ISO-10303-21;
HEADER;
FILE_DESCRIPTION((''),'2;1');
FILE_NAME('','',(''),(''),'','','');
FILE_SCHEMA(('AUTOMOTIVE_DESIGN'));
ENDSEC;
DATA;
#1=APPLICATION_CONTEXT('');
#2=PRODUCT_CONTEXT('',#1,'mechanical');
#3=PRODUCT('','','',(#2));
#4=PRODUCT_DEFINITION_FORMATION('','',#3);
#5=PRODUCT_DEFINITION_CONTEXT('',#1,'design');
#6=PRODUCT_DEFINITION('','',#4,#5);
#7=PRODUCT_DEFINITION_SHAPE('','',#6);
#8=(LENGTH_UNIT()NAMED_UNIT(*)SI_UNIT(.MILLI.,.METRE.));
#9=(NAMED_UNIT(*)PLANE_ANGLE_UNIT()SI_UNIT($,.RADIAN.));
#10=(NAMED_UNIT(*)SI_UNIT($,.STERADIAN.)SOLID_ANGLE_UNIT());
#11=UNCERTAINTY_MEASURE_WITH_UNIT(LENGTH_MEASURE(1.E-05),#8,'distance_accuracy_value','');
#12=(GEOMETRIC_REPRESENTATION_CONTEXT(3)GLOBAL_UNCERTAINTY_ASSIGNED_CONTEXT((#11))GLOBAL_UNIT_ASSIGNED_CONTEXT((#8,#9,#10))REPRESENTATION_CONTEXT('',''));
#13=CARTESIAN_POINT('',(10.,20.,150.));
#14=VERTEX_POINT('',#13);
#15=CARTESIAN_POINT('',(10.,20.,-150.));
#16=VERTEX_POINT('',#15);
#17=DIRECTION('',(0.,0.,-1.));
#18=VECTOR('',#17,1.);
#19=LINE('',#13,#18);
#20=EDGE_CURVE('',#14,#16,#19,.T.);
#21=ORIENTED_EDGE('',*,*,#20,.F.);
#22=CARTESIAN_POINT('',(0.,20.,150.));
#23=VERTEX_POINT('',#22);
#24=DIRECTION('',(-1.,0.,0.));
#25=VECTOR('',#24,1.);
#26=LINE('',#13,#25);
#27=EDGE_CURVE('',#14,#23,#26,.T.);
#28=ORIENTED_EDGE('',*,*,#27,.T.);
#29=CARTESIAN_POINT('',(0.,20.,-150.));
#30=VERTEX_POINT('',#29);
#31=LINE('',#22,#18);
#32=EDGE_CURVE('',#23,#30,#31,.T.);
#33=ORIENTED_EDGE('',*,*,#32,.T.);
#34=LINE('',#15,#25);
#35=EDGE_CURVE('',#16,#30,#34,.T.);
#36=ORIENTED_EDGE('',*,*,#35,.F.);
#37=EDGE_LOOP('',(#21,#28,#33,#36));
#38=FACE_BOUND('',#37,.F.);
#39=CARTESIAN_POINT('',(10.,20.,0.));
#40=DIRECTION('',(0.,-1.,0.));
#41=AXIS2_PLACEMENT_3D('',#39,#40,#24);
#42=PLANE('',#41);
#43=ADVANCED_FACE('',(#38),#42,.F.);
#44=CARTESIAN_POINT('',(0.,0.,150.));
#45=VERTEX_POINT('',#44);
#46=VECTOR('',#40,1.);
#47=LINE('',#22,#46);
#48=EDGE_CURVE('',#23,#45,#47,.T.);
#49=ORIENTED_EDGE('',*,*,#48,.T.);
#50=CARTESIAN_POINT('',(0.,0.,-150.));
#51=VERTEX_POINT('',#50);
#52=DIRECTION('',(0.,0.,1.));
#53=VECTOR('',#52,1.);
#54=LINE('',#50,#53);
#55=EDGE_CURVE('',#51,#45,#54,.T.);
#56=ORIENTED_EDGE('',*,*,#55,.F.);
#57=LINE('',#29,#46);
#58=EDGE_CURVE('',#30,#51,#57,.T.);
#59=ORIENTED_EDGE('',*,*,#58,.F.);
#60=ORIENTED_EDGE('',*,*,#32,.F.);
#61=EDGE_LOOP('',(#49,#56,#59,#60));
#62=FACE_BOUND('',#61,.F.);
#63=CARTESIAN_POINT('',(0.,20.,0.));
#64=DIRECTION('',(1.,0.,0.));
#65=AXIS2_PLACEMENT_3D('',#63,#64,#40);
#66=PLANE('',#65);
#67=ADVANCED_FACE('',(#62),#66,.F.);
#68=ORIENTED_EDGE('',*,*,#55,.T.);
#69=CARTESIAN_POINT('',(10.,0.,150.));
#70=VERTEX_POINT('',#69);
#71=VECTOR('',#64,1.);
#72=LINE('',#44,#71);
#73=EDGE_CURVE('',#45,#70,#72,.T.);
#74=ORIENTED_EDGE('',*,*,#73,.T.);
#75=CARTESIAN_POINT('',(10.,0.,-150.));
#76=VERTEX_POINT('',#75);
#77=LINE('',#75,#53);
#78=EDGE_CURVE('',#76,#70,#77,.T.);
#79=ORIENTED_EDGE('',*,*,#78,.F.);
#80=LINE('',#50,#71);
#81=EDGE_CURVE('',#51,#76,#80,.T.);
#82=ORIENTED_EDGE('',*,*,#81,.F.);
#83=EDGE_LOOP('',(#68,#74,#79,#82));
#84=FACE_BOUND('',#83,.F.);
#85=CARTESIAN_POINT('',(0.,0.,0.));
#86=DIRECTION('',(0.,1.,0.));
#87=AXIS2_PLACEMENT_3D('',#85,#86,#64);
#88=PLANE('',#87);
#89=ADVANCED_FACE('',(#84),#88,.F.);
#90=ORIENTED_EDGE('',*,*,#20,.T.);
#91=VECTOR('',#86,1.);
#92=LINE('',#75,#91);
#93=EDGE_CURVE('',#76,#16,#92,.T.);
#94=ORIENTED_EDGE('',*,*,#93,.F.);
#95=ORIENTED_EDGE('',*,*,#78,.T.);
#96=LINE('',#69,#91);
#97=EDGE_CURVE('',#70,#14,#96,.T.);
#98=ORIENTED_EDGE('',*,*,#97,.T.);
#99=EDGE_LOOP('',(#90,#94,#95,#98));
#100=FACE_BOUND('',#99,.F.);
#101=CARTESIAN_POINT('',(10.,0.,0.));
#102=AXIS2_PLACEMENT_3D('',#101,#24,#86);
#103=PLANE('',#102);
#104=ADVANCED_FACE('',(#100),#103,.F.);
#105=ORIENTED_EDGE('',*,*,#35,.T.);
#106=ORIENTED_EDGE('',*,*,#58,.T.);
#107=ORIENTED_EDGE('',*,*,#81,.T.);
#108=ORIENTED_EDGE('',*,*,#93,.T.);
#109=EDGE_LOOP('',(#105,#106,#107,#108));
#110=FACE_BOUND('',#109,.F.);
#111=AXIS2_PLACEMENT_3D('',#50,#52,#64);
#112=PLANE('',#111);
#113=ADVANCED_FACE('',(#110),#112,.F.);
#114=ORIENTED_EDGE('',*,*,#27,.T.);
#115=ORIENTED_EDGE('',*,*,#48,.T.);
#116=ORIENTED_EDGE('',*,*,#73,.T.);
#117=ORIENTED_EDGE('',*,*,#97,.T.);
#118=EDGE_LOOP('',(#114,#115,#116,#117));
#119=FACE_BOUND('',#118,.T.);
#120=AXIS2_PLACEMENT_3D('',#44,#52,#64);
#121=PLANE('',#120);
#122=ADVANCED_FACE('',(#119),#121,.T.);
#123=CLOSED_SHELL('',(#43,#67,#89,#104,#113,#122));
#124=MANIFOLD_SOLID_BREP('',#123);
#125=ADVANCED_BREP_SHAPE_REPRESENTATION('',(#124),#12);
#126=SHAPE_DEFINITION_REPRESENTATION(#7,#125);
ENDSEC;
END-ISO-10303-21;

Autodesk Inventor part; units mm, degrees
ref_plane "YZ Plane" through (0, 0, 0) normal (1, 0, 0) x (0, 1, 0)
ref_plane "XZ Plane" through (0, 0, 0) normal (0, 1, 0) x (-1, 0, 0)
ref_plane "XY Plane" through (0, 0, 0) normal (0, 0, 1) x (1, 0, 0)
sketch "Skizze1" plane through (0, 0, 0) normal (0, 0, 1) x (1, 0, 0)
  line L0 (0, 0) -> (10, 0)
  line L1 (10, 0) -> (10, 20)
  line L2 (10, 20) -> (0, 20)
  line L3 (0, 20) -> (0, 0)
  dimension "d2" = 10
  dimension "d3" = 20
extrude "Extrusion1" add sketch "Skizze1" along normal mid plane 300
properties part number "base" material "Stahl"
